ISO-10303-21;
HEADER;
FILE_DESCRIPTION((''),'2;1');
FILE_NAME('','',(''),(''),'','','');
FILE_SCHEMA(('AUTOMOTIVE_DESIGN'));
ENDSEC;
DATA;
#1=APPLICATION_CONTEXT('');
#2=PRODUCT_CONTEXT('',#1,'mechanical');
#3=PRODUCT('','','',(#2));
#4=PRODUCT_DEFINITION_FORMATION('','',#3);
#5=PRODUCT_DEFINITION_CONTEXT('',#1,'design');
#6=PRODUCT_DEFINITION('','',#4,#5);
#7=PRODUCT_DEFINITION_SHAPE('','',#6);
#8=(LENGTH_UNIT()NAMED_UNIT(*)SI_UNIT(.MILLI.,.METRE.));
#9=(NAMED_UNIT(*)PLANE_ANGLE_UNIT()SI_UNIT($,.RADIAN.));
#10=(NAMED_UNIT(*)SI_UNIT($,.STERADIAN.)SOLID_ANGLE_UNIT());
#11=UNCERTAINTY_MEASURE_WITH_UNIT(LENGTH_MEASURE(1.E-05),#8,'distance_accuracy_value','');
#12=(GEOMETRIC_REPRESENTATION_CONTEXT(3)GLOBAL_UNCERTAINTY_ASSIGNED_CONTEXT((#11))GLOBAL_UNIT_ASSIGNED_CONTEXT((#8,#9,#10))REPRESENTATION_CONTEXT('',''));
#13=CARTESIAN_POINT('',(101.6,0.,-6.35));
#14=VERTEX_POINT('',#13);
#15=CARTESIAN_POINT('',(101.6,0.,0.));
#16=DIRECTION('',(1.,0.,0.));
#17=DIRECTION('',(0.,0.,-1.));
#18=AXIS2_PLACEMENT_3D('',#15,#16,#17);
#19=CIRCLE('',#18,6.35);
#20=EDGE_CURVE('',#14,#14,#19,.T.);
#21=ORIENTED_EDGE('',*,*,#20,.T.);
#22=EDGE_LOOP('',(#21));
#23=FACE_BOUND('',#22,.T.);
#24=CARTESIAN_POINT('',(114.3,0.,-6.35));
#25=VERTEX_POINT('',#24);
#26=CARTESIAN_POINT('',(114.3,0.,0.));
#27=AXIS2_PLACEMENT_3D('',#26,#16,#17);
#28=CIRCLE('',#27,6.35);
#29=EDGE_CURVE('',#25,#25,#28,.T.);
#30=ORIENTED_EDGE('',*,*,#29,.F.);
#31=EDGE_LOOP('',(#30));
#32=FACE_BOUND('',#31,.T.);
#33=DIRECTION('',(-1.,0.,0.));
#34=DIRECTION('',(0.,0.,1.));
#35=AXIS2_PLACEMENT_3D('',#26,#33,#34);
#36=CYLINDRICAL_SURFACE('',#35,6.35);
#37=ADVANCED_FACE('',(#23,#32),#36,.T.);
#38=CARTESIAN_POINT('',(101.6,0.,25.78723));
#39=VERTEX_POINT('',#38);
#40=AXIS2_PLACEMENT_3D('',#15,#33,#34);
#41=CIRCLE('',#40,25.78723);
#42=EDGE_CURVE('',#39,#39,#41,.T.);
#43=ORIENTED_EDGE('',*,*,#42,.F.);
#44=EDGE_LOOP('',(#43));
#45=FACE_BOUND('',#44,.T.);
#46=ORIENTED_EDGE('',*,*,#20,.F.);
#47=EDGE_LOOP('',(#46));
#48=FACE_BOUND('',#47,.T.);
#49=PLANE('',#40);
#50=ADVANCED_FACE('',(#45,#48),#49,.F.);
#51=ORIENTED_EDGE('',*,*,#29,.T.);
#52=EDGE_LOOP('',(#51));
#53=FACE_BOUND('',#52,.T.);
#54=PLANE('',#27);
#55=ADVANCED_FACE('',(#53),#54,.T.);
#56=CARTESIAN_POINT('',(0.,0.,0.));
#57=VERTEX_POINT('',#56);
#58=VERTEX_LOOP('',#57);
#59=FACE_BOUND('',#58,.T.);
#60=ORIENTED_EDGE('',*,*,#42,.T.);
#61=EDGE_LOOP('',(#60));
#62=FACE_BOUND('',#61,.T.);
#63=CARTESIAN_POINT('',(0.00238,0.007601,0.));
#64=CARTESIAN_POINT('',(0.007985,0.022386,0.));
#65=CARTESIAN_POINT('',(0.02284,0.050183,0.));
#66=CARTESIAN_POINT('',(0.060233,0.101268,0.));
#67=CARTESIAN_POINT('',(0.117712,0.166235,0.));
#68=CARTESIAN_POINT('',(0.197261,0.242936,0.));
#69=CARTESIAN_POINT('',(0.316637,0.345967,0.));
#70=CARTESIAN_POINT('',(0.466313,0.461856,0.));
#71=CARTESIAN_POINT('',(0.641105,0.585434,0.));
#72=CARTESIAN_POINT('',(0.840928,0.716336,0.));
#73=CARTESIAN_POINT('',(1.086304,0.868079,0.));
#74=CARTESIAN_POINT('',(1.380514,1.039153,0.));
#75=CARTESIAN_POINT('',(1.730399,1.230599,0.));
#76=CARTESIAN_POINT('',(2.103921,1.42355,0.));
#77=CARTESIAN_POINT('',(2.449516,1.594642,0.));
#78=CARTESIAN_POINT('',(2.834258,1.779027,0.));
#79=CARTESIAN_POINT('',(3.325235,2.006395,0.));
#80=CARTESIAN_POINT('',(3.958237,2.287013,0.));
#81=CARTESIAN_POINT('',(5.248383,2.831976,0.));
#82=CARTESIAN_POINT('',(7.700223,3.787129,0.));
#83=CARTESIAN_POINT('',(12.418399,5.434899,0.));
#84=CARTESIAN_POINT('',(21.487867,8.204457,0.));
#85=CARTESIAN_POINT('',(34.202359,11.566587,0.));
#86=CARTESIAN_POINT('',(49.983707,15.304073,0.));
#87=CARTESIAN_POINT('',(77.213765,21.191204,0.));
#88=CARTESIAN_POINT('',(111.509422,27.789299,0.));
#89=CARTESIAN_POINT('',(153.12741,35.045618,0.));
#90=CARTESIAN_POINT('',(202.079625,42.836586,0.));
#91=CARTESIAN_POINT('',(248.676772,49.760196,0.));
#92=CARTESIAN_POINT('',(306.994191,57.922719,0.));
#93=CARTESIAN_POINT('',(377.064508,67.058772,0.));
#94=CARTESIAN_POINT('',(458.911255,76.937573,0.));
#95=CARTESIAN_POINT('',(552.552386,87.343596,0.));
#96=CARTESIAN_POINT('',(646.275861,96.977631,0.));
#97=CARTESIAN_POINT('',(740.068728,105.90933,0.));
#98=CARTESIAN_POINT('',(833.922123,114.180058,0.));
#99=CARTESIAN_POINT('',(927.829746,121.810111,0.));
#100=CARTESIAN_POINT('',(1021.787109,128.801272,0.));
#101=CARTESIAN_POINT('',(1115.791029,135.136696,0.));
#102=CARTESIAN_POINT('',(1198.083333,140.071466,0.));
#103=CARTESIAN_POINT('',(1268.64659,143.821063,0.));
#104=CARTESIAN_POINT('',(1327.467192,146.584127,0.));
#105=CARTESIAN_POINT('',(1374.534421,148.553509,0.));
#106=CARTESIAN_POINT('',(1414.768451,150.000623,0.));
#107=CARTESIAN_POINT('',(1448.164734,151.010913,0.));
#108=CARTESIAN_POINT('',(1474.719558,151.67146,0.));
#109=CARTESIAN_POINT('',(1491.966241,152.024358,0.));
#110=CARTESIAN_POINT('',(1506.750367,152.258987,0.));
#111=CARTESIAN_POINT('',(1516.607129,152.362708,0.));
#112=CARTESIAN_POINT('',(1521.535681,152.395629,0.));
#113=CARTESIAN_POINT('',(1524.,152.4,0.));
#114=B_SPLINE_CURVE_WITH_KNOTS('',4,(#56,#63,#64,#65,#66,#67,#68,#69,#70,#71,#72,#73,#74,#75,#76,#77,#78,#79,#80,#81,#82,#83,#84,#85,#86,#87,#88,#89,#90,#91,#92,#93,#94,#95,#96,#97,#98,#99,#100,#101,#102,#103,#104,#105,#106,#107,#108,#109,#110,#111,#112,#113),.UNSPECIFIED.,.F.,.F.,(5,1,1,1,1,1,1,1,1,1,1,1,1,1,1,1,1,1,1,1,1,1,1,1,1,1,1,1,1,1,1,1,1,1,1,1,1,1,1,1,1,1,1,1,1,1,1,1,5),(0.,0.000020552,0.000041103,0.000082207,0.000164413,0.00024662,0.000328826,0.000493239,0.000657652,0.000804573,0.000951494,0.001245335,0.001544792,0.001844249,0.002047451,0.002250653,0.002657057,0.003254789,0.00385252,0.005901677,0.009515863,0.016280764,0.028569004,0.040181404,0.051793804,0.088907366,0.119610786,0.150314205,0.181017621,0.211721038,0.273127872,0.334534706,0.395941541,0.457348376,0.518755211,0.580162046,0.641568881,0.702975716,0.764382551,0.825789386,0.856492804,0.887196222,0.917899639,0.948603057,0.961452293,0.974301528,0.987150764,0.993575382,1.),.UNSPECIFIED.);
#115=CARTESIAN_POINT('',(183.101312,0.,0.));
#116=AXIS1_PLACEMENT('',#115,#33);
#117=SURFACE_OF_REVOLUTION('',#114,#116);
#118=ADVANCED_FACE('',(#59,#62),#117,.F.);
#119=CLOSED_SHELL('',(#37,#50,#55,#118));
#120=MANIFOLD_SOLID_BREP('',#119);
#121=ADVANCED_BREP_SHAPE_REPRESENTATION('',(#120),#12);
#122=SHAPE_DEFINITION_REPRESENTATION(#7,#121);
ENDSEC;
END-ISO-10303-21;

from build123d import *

# Parameters (mm, degrees)
SKETCH4_R           = 6.35
BOSS_EXTRUDE1_DEPTH = 12.7


with BuildPart() as part:
    # Sketch3 → Revolve1 (revolve)
    with BuildSketch(Plane.XY):
        with BuildLine():
            add(Edge.make_bspline(
                [(0, 0), (0.00238036, 0.007601136), (0.007984668, 0.02238567), (0.022840115, 0.050183387), (0.060232661, 0.101267557), (0.117712206, 0.166235145), (0.197260922, 0.242935889), (0.316636954, 0.345966559), (0.466313208, 0.461855796), (0.641104575, 0.585434487), (0.840927564, 0.716336462), (1.086304001, 0.86807874), (1.380514078, 1.039152539), (1.73039943, 1.230599419), (2.103920597, 1.423549594), (2.449515618, 1.594641657), (2.834258254, 1.779027289), (3.32523533, 2.006394535), (3.958237366, 2.287012777), (5.248383466, 2.831975888), (7.70022289, 3.78712851), (12.418398776, 5.434898892), (21.487866849, 8.204456936), (34.202358645, 11.566587315), (49.983706669, 15.304073444), (69.575752544, 19.539868175), (84.607400149, 22.552252216), (95.288419382, 24.602752796), (101.6, 25.78723001)],
                knots=[0, 0, 0, 0, 0, 2.0552e-05, 4.1103e-05, 8.2207e-05, 0.000164413, 0.00024662, 0.000328826, 0.000493239, 0.000657652, 0.000804573, 0.000951494, 0.001245335, 0.001544792, 0.001844249, 0.002047451, 0.002250653, 0.002657057, 0.003254789, 0.00385252, 0.005901677, 0.009515863, 0.016280764, 0.028569004, 0.040181404, 0.051793804, 0.068535654, 0.068535654, 0.068535654, 0.068535654, 0.068535654], degree=4))
            Line((0, 0), (101.6, 0))
            Line((101.6, 0), (101.6, 25.78723001))
        make_face()
    revolve(axis=Axis((183.101312307, 0, 0), (1, 0, 0)))

    # Sketch4 → Boss-Extrude1 (add)
    with BuildSketch(Plane(origin=(101.6, 0, 0), x_dir=(0, 0, -1), z_dir=(1, 0, 0))):
        Circle(SKETCH4_R)
    extrude(amount=BOSS_EXTRUDE1_DEPTH)


solid = part.part
